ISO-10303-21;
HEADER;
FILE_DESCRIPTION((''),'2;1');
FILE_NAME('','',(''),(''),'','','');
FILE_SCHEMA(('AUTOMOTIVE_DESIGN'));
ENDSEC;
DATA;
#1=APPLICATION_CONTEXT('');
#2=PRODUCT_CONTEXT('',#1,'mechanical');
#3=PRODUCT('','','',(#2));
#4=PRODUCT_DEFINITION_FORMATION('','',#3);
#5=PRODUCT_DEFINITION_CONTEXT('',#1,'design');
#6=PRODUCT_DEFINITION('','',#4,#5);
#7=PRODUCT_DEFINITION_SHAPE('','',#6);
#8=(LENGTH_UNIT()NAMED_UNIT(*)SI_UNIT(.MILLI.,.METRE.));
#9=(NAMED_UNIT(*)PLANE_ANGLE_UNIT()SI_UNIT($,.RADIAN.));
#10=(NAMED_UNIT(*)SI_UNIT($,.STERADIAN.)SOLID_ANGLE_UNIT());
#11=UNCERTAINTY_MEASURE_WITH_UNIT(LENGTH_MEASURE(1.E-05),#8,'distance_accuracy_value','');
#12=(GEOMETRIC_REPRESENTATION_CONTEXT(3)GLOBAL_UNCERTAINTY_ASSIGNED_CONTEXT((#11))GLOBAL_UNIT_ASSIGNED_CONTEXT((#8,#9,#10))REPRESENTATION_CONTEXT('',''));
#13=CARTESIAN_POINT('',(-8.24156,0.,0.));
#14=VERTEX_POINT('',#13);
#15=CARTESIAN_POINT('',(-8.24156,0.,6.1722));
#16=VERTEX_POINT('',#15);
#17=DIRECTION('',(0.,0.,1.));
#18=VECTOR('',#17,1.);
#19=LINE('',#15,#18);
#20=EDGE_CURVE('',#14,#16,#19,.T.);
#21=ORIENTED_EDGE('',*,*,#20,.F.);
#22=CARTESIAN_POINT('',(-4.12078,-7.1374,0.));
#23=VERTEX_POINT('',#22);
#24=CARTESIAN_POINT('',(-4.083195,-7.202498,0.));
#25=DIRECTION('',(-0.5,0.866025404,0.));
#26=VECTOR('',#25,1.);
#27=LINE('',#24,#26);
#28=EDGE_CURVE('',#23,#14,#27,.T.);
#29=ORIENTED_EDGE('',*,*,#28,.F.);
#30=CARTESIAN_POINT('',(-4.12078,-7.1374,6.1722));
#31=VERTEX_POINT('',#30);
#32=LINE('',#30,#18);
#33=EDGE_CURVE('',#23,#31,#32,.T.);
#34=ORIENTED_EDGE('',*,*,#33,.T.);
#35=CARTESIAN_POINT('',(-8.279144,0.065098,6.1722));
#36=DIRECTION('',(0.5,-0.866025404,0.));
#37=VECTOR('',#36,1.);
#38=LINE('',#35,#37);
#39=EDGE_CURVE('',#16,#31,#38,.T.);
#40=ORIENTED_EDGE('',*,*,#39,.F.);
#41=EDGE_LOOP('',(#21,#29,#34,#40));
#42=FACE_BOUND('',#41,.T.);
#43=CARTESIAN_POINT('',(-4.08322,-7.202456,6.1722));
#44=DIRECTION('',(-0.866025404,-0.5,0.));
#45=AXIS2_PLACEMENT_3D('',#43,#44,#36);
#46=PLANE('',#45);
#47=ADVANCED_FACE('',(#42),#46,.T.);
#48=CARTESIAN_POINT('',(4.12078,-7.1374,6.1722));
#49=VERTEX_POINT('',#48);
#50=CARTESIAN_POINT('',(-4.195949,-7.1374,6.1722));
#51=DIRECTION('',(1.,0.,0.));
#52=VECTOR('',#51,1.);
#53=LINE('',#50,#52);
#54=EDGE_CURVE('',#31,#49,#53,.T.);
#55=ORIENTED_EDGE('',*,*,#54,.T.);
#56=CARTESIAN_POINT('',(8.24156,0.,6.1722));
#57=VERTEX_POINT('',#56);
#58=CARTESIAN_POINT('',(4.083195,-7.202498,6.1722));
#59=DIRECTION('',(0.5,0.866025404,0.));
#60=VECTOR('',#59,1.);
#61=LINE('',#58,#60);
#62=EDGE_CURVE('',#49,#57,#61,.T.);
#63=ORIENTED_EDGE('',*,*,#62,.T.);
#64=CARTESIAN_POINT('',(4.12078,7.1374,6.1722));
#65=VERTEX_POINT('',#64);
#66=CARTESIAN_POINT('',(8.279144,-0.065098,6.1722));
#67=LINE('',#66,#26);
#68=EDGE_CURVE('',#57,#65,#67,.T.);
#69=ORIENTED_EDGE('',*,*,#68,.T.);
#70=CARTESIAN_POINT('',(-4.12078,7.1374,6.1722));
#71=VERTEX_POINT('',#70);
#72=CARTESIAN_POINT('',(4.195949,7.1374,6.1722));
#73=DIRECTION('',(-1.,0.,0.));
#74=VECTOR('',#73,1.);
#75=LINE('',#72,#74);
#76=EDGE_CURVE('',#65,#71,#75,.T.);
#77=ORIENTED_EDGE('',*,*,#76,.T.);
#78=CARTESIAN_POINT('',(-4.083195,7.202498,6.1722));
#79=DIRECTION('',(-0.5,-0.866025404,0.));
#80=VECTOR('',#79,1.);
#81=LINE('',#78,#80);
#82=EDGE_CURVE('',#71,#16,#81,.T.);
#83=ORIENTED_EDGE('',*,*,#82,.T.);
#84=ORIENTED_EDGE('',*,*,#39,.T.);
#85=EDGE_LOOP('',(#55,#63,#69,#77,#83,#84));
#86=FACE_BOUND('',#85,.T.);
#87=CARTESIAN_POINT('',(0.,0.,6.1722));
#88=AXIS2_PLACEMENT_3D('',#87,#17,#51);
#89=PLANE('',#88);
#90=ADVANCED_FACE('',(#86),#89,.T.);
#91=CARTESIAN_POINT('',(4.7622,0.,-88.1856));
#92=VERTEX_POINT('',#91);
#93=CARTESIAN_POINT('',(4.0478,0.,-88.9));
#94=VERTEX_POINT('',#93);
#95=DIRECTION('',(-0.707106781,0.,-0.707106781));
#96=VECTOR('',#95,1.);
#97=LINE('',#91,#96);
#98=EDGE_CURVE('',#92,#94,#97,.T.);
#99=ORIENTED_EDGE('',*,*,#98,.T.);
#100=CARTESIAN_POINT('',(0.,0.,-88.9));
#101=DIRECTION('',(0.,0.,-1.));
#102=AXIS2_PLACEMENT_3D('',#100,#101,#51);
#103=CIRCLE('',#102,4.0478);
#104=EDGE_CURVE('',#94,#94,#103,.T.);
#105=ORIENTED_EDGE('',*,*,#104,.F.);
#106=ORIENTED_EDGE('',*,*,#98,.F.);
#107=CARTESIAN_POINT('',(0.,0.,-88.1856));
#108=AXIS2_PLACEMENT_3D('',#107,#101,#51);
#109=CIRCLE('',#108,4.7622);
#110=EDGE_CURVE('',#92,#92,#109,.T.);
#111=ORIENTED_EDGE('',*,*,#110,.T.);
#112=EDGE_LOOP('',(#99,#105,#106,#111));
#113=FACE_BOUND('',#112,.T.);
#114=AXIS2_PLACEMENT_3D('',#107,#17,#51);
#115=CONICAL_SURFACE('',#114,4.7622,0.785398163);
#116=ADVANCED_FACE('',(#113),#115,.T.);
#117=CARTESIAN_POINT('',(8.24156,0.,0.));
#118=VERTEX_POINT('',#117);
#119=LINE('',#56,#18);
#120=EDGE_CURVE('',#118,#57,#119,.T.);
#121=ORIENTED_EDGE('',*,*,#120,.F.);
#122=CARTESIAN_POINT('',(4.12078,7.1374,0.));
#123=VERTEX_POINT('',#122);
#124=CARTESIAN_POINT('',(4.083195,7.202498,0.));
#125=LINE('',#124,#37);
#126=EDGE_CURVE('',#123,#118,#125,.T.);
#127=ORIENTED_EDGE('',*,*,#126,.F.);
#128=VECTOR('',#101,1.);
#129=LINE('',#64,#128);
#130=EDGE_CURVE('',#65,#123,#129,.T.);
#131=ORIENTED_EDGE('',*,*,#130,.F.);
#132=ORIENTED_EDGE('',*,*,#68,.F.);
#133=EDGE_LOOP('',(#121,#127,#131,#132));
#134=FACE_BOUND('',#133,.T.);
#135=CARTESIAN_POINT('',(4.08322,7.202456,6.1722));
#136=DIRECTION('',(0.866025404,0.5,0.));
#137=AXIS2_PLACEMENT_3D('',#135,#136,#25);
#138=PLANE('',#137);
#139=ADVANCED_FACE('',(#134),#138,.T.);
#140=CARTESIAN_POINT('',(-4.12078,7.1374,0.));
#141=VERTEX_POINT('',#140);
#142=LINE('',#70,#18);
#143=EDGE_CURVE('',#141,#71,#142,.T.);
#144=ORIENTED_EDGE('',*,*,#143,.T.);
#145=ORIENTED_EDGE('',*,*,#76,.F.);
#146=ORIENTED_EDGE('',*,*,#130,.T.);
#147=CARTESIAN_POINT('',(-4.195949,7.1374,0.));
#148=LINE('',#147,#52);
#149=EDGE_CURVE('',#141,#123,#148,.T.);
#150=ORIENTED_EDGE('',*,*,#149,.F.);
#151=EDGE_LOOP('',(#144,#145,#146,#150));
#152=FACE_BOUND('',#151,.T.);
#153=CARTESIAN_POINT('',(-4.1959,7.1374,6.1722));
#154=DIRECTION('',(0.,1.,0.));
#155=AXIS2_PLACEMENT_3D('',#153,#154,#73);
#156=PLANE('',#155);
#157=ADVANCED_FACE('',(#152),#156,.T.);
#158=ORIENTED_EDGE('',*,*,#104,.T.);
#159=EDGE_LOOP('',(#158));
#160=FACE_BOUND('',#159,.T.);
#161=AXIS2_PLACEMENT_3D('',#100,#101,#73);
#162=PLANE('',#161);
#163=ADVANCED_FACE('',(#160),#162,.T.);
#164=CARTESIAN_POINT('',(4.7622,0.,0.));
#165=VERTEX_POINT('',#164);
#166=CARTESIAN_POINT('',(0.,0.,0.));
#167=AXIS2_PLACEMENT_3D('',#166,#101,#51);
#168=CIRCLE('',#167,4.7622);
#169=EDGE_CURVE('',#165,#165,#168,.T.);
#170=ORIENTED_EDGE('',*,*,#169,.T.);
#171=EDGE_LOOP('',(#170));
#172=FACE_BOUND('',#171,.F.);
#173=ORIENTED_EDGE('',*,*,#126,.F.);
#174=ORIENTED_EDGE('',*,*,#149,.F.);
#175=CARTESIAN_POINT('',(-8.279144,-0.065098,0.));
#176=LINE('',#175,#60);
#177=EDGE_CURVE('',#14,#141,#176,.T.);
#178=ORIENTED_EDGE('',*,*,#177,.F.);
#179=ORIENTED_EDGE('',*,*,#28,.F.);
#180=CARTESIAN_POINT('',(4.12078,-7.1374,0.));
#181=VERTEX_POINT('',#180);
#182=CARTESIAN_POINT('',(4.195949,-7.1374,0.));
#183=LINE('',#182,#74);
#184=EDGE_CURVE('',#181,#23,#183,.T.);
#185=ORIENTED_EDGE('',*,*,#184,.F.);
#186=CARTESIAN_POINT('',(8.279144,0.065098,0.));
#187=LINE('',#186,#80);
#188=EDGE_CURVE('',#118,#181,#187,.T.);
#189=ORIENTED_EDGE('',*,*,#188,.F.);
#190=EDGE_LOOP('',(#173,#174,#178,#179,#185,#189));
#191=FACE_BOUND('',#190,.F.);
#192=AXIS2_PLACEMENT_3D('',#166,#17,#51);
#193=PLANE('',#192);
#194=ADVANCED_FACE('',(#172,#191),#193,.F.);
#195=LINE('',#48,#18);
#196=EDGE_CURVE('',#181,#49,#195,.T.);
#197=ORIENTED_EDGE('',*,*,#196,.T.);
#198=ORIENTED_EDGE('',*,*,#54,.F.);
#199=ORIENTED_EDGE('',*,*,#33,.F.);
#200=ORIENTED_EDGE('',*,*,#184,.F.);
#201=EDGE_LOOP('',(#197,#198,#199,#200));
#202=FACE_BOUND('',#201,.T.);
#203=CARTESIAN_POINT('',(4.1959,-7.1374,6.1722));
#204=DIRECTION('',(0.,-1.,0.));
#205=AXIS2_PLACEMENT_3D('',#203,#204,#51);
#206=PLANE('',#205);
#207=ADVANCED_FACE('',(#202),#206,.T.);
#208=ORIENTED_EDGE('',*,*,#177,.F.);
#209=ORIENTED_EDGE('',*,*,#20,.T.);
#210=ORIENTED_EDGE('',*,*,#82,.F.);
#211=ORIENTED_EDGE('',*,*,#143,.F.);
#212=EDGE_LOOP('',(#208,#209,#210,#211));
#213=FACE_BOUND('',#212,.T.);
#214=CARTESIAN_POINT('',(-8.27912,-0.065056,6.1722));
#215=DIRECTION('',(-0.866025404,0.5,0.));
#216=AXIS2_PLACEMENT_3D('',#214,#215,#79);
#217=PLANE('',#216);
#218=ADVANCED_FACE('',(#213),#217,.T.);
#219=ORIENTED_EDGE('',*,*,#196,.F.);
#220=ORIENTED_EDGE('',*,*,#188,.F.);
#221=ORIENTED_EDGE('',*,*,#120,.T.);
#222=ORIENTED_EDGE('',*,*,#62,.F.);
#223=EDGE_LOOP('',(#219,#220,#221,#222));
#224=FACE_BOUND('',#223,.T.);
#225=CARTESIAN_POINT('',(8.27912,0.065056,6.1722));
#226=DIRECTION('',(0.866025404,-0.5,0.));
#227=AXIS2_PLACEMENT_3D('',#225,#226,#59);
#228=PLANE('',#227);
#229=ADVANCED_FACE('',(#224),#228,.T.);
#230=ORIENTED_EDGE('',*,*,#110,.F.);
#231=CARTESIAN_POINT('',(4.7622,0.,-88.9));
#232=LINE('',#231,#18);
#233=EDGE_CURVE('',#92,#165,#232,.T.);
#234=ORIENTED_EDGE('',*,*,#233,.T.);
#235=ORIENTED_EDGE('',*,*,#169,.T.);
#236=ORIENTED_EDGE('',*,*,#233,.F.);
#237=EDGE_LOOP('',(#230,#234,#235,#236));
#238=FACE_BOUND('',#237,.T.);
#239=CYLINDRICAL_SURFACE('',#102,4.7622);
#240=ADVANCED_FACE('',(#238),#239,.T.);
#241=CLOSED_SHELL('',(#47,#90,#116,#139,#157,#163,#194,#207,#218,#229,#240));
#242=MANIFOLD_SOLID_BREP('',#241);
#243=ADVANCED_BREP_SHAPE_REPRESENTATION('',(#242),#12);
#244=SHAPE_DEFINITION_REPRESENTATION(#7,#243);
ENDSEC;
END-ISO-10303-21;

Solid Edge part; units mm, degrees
sketch "Sketch1" plane through (0, 0, 0) normal (0, 0, 1) x (1, 0, 0)
  circle A0 centre (0, 0) radius 8.2794
  dimension "D1" = 16.5588
extrude "Protrusion1" add sketch "Sketch1" along normal blind 6.1722
sketch "Sketch2" plane through (0, 0, 0) normal (0, 0, -1) x (1, 0, 0)
  circle A0 centre (0, 0) radius 4.7625
extrude "Protrusion2" add sketch "Sketch2" along normal blind 88.9
sketch "Sketch3" plane through (0, 0, -88.9) normal (0, 0, -1) x (1, 0, 0)
  circle A0 centre (0, 0) radius 4.7622
extrude "Cutout1" cut sketch "Sketch3" against normal blind 88.9 flip side to cut
chamfer "Chamfer_1" distance 0.7144 angle 45 1 edges at (-4.7622, 0, -88.9)
sketch "Sketch4" plane through (0, 0, 6.1722) normal (0, 0, 1) x (1, 0, 0)
  line L0 (-4.1959, 7.1374) -> (4.1959, 7.1374)
  dimension "D1" = 14.2748
extrude "Cutout2" cut sketch "Sketch4" against normal up to next material side at (0, 7.1874, 6.1722)
pattern_circular "Pattern1" count 6 over 360 about axis through (0, 0, 6.1722) along (0, 0, 1) of "Cutout2"
properties part number "216054"
